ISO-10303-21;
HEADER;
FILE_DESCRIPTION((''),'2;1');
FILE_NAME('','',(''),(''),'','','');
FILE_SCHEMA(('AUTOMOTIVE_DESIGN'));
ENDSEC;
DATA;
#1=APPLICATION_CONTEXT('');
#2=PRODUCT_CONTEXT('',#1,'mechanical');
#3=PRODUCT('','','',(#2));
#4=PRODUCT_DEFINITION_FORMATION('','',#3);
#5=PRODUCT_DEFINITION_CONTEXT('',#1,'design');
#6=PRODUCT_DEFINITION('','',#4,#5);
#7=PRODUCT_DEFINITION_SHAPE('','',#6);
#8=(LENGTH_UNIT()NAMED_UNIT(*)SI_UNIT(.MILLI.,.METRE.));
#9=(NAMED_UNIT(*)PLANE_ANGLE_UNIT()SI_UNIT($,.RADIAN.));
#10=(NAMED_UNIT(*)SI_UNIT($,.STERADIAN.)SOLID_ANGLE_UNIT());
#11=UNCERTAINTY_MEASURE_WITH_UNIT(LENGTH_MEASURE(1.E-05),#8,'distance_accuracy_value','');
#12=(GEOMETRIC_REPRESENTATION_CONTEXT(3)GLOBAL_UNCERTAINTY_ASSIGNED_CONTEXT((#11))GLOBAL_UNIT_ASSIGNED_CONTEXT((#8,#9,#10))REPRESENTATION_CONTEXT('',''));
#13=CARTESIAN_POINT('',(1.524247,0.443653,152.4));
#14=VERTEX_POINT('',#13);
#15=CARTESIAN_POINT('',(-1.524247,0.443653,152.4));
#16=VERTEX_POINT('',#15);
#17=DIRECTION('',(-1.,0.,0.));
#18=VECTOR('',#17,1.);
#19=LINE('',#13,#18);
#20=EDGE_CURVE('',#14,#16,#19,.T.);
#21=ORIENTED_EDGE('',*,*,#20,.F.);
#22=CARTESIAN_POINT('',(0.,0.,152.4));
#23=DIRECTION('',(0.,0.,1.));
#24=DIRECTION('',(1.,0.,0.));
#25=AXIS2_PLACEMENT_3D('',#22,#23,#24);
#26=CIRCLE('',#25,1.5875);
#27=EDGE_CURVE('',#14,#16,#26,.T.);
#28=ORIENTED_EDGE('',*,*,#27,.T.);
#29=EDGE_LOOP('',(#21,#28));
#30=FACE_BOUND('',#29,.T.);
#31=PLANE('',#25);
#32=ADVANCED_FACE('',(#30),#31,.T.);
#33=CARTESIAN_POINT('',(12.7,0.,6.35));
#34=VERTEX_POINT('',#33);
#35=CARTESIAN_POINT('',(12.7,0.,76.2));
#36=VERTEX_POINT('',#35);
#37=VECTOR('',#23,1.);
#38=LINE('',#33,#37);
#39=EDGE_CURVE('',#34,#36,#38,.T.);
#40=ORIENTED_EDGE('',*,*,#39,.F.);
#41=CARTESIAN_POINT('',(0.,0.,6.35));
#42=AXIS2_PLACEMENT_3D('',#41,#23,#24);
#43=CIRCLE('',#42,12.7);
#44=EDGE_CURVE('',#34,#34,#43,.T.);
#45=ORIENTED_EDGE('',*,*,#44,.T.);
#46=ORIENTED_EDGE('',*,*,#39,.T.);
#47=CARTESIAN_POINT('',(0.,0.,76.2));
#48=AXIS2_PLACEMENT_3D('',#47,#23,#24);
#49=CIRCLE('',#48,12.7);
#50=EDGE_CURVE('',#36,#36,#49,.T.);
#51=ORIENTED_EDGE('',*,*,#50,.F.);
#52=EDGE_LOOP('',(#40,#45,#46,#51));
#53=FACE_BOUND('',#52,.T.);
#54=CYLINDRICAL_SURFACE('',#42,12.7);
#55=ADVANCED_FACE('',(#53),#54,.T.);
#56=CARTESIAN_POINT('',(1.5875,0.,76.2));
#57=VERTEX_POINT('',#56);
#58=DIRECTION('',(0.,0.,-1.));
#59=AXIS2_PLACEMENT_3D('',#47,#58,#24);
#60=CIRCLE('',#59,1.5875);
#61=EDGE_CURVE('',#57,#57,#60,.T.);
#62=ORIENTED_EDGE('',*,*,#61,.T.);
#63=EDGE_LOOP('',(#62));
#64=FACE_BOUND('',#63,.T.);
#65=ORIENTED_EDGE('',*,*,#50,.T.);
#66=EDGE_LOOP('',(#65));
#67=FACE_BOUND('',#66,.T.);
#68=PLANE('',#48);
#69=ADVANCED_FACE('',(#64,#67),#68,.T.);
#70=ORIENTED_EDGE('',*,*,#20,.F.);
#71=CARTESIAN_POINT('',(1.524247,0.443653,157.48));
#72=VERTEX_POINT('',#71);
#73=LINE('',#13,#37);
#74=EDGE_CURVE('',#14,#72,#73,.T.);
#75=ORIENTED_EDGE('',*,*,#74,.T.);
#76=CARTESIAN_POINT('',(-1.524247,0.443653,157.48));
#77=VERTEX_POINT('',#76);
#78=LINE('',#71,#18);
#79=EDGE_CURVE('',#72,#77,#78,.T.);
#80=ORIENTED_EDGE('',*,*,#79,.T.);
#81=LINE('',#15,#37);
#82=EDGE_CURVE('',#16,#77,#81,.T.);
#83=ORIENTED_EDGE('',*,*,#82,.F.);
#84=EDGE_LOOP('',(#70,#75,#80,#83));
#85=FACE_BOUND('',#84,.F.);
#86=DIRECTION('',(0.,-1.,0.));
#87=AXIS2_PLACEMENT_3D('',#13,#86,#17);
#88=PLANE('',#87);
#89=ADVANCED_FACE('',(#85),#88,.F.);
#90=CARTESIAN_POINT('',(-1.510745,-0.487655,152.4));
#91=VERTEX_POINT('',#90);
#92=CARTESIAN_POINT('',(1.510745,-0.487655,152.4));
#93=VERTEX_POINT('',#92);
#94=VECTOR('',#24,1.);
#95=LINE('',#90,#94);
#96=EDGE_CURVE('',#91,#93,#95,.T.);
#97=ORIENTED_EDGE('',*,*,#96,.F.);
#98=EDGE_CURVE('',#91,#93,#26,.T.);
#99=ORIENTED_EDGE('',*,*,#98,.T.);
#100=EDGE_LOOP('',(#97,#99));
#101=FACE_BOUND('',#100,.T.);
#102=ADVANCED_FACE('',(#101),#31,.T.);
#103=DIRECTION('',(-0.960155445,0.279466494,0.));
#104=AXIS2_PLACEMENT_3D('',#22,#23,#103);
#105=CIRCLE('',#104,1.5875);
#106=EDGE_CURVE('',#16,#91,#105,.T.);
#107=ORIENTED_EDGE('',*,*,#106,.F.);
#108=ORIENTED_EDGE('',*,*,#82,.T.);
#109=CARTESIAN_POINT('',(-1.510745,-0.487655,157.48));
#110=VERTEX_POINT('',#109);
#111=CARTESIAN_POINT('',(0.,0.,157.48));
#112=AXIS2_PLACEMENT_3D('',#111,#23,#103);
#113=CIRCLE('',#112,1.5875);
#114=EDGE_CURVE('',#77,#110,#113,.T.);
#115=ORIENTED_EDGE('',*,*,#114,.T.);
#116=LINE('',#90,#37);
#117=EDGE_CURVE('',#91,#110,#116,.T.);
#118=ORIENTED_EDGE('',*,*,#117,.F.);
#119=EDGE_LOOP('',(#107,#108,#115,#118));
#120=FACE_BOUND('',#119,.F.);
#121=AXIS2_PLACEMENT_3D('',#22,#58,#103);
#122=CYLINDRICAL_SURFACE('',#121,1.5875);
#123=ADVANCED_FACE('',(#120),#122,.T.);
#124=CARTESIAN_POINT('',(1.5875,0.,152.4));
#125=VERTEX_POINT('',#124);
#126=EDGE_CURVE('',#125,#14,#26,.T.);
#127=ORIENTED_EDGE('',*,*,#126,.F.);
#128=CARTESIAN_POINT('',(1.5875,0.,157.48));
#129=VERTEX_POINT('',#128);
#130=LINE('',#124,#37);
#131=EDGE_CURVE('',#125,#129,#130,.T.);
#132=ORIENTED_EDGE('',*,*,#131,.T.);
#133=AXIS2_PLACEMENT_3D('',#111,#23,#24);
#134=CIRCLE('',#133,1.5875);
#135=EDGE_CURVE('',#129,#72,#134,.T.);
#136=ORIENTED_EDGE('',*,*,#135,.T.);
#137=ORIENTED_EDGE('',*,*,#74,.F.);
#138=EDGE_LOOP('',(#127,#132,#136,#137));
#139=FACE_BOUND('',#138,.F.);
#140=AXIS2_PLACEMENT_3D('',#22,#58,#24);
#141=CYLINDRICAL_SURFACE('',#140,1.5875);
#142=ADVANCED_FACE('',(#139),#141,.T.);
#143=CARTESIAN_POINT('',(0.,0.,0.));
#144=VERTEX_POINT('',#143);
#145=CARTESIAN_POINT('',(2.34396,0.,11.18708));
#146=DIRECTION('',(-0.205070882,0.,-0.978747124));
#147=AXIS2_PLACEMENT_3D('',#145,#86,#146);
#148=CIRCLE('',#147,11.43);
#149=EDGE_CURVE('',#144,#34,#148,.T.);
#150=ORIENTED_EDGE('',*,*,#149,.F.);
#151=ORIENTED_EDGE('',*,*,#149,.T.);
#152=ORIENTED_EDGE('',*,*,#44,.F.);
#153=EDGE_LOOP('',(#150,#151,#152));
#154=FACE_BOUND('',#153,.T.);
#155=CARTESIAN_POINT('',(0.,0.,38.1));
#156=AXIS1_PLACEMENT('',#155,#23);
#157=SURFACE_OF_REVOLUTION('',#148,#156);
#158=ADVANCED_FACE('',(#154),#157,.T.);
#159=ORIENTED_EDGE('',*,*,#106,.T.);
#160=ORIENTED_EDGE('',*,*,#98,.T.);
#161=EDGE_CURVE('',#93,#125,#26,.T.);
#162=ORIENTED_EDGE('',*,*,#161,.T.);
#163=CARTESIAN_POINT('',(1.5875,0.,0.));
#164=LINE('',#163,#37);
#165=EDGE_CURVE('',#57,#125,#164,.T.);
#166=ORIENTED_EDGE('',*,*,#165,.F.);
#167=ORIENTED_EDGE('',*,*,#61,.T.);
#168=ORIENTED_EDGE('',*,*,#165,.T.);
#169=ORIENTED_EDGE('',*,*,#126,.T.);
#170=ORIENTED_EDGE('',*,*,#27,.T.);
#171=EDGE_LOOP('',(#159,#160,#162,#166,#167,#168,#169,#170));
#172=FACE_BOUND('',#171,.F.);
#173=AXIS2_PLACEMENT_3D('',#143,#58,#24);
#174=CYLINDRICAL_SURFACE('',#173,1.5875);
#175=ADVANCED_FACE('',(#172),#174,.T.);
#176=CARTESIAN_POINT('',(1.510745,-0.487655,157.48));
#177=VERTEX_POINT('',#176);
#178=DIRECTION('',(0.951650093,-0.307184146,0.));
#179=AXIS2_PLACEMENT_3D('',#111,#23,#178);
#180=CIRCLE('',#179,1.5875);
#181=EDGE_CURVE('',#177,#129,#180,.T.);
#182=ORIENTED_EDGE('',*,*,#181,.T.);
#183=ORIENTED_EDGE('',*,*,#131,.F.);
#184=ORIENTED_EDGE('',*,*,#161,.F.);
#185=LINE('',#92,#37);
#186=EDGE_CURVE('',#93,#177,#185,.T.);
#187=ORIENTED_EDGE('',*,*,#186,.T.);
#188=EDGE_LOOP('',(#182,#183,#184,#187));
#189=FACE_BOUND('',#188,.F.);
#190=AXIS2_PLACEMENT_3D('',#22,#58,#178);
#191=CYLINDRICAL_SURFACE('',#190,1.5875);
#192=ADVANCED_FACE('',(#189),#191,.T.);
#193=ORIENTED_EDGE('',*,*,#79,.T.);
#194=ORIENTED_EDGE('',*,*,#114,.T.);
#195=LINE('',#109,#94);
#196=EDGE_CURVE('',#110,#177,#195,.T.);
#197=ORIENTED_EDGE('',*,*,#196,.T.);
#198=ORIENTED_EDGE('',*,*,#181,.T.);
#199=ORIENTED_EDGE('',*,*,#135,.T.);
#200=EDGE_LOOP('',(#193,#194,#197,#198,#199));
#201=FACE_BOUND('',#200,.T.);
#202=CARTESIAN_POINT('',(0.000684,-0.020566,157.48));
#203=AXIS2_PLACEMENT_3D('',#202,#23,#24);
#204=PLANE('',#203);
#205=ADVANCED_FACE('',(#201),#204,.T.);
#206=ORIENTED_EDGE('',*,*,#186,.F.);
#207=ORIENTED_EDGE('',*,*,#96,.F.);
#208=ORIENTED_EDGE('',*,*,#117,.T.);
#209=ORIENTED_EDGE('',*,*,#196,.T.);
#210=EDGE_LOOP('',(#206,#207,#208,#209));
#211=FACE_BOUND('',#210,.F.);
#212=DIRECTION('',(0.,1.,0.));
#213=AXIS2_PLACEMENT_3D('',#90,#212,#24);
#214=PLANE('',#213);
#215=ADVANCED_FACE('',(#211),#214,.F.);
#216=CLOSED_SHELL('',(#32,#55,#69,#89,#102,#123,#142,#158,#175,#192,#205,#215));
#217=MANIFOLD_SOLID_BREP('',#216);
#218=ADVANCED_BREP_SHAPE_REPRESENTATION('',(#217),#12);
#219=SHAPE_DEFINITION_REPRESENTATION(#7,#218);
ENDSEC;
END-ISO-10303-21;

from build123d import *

# Parameters (mm, degrees)
F2_R     = 1.5875
F3_DEPTH = 152.4
F5_DEPTH = 5.08


with BuildPart() as f1:
    # F0 (on Front) → F1 (revolve)
    with BuildSketch(Plane.XZ):
        with BuildLine():
            Line((0, 76.2), (0, 0))
            ThreePointArc((0, 0), (7.4556115815, 0.963776837), (12.7, 6.35))
            Line((12.7, 6.35), (12.7, 76.2))
            Line((12.7, 76.2), (0, 76.2))
        make_face()
    revolve(axis=Axis((0, 0, 38.1), (0, 0, 1)))

    # F2 (on Top) → F3 (join)
    with BuildSketch(Plane.XY):
        Circle(F2_R)
    extrude(amount=F3_DEPTH)

    # F4 (on face) → F5 (join)
    with BuildSketch(Plane.XY.offset(152.4)):
        with BuildLine():
            Line((1.5242467692, 0.4436530587), (-1.5242467692, 0.4436530587))
            ThreePointArc((-1.5242467692, 0.4436530587), (-1.5873331828, -0.0230134024), (-1.5107445232, -0.4876548326))
            Line((-1.5107445232, -0.4876548326), (1.5107445232, -0.4876548326))
            ThreePointArc((1.5107445232, -0.4876548326), (1.5681937349, -0.2468292117), (1.5875, 0))
            ThreePointArc((1.5875, 0), (1.5716071386, 0.2240697479), (1.5242467692, 0.4436530587))
        make_face()
    extrude(amount=F5_DEPTH)


solid = f1.part
